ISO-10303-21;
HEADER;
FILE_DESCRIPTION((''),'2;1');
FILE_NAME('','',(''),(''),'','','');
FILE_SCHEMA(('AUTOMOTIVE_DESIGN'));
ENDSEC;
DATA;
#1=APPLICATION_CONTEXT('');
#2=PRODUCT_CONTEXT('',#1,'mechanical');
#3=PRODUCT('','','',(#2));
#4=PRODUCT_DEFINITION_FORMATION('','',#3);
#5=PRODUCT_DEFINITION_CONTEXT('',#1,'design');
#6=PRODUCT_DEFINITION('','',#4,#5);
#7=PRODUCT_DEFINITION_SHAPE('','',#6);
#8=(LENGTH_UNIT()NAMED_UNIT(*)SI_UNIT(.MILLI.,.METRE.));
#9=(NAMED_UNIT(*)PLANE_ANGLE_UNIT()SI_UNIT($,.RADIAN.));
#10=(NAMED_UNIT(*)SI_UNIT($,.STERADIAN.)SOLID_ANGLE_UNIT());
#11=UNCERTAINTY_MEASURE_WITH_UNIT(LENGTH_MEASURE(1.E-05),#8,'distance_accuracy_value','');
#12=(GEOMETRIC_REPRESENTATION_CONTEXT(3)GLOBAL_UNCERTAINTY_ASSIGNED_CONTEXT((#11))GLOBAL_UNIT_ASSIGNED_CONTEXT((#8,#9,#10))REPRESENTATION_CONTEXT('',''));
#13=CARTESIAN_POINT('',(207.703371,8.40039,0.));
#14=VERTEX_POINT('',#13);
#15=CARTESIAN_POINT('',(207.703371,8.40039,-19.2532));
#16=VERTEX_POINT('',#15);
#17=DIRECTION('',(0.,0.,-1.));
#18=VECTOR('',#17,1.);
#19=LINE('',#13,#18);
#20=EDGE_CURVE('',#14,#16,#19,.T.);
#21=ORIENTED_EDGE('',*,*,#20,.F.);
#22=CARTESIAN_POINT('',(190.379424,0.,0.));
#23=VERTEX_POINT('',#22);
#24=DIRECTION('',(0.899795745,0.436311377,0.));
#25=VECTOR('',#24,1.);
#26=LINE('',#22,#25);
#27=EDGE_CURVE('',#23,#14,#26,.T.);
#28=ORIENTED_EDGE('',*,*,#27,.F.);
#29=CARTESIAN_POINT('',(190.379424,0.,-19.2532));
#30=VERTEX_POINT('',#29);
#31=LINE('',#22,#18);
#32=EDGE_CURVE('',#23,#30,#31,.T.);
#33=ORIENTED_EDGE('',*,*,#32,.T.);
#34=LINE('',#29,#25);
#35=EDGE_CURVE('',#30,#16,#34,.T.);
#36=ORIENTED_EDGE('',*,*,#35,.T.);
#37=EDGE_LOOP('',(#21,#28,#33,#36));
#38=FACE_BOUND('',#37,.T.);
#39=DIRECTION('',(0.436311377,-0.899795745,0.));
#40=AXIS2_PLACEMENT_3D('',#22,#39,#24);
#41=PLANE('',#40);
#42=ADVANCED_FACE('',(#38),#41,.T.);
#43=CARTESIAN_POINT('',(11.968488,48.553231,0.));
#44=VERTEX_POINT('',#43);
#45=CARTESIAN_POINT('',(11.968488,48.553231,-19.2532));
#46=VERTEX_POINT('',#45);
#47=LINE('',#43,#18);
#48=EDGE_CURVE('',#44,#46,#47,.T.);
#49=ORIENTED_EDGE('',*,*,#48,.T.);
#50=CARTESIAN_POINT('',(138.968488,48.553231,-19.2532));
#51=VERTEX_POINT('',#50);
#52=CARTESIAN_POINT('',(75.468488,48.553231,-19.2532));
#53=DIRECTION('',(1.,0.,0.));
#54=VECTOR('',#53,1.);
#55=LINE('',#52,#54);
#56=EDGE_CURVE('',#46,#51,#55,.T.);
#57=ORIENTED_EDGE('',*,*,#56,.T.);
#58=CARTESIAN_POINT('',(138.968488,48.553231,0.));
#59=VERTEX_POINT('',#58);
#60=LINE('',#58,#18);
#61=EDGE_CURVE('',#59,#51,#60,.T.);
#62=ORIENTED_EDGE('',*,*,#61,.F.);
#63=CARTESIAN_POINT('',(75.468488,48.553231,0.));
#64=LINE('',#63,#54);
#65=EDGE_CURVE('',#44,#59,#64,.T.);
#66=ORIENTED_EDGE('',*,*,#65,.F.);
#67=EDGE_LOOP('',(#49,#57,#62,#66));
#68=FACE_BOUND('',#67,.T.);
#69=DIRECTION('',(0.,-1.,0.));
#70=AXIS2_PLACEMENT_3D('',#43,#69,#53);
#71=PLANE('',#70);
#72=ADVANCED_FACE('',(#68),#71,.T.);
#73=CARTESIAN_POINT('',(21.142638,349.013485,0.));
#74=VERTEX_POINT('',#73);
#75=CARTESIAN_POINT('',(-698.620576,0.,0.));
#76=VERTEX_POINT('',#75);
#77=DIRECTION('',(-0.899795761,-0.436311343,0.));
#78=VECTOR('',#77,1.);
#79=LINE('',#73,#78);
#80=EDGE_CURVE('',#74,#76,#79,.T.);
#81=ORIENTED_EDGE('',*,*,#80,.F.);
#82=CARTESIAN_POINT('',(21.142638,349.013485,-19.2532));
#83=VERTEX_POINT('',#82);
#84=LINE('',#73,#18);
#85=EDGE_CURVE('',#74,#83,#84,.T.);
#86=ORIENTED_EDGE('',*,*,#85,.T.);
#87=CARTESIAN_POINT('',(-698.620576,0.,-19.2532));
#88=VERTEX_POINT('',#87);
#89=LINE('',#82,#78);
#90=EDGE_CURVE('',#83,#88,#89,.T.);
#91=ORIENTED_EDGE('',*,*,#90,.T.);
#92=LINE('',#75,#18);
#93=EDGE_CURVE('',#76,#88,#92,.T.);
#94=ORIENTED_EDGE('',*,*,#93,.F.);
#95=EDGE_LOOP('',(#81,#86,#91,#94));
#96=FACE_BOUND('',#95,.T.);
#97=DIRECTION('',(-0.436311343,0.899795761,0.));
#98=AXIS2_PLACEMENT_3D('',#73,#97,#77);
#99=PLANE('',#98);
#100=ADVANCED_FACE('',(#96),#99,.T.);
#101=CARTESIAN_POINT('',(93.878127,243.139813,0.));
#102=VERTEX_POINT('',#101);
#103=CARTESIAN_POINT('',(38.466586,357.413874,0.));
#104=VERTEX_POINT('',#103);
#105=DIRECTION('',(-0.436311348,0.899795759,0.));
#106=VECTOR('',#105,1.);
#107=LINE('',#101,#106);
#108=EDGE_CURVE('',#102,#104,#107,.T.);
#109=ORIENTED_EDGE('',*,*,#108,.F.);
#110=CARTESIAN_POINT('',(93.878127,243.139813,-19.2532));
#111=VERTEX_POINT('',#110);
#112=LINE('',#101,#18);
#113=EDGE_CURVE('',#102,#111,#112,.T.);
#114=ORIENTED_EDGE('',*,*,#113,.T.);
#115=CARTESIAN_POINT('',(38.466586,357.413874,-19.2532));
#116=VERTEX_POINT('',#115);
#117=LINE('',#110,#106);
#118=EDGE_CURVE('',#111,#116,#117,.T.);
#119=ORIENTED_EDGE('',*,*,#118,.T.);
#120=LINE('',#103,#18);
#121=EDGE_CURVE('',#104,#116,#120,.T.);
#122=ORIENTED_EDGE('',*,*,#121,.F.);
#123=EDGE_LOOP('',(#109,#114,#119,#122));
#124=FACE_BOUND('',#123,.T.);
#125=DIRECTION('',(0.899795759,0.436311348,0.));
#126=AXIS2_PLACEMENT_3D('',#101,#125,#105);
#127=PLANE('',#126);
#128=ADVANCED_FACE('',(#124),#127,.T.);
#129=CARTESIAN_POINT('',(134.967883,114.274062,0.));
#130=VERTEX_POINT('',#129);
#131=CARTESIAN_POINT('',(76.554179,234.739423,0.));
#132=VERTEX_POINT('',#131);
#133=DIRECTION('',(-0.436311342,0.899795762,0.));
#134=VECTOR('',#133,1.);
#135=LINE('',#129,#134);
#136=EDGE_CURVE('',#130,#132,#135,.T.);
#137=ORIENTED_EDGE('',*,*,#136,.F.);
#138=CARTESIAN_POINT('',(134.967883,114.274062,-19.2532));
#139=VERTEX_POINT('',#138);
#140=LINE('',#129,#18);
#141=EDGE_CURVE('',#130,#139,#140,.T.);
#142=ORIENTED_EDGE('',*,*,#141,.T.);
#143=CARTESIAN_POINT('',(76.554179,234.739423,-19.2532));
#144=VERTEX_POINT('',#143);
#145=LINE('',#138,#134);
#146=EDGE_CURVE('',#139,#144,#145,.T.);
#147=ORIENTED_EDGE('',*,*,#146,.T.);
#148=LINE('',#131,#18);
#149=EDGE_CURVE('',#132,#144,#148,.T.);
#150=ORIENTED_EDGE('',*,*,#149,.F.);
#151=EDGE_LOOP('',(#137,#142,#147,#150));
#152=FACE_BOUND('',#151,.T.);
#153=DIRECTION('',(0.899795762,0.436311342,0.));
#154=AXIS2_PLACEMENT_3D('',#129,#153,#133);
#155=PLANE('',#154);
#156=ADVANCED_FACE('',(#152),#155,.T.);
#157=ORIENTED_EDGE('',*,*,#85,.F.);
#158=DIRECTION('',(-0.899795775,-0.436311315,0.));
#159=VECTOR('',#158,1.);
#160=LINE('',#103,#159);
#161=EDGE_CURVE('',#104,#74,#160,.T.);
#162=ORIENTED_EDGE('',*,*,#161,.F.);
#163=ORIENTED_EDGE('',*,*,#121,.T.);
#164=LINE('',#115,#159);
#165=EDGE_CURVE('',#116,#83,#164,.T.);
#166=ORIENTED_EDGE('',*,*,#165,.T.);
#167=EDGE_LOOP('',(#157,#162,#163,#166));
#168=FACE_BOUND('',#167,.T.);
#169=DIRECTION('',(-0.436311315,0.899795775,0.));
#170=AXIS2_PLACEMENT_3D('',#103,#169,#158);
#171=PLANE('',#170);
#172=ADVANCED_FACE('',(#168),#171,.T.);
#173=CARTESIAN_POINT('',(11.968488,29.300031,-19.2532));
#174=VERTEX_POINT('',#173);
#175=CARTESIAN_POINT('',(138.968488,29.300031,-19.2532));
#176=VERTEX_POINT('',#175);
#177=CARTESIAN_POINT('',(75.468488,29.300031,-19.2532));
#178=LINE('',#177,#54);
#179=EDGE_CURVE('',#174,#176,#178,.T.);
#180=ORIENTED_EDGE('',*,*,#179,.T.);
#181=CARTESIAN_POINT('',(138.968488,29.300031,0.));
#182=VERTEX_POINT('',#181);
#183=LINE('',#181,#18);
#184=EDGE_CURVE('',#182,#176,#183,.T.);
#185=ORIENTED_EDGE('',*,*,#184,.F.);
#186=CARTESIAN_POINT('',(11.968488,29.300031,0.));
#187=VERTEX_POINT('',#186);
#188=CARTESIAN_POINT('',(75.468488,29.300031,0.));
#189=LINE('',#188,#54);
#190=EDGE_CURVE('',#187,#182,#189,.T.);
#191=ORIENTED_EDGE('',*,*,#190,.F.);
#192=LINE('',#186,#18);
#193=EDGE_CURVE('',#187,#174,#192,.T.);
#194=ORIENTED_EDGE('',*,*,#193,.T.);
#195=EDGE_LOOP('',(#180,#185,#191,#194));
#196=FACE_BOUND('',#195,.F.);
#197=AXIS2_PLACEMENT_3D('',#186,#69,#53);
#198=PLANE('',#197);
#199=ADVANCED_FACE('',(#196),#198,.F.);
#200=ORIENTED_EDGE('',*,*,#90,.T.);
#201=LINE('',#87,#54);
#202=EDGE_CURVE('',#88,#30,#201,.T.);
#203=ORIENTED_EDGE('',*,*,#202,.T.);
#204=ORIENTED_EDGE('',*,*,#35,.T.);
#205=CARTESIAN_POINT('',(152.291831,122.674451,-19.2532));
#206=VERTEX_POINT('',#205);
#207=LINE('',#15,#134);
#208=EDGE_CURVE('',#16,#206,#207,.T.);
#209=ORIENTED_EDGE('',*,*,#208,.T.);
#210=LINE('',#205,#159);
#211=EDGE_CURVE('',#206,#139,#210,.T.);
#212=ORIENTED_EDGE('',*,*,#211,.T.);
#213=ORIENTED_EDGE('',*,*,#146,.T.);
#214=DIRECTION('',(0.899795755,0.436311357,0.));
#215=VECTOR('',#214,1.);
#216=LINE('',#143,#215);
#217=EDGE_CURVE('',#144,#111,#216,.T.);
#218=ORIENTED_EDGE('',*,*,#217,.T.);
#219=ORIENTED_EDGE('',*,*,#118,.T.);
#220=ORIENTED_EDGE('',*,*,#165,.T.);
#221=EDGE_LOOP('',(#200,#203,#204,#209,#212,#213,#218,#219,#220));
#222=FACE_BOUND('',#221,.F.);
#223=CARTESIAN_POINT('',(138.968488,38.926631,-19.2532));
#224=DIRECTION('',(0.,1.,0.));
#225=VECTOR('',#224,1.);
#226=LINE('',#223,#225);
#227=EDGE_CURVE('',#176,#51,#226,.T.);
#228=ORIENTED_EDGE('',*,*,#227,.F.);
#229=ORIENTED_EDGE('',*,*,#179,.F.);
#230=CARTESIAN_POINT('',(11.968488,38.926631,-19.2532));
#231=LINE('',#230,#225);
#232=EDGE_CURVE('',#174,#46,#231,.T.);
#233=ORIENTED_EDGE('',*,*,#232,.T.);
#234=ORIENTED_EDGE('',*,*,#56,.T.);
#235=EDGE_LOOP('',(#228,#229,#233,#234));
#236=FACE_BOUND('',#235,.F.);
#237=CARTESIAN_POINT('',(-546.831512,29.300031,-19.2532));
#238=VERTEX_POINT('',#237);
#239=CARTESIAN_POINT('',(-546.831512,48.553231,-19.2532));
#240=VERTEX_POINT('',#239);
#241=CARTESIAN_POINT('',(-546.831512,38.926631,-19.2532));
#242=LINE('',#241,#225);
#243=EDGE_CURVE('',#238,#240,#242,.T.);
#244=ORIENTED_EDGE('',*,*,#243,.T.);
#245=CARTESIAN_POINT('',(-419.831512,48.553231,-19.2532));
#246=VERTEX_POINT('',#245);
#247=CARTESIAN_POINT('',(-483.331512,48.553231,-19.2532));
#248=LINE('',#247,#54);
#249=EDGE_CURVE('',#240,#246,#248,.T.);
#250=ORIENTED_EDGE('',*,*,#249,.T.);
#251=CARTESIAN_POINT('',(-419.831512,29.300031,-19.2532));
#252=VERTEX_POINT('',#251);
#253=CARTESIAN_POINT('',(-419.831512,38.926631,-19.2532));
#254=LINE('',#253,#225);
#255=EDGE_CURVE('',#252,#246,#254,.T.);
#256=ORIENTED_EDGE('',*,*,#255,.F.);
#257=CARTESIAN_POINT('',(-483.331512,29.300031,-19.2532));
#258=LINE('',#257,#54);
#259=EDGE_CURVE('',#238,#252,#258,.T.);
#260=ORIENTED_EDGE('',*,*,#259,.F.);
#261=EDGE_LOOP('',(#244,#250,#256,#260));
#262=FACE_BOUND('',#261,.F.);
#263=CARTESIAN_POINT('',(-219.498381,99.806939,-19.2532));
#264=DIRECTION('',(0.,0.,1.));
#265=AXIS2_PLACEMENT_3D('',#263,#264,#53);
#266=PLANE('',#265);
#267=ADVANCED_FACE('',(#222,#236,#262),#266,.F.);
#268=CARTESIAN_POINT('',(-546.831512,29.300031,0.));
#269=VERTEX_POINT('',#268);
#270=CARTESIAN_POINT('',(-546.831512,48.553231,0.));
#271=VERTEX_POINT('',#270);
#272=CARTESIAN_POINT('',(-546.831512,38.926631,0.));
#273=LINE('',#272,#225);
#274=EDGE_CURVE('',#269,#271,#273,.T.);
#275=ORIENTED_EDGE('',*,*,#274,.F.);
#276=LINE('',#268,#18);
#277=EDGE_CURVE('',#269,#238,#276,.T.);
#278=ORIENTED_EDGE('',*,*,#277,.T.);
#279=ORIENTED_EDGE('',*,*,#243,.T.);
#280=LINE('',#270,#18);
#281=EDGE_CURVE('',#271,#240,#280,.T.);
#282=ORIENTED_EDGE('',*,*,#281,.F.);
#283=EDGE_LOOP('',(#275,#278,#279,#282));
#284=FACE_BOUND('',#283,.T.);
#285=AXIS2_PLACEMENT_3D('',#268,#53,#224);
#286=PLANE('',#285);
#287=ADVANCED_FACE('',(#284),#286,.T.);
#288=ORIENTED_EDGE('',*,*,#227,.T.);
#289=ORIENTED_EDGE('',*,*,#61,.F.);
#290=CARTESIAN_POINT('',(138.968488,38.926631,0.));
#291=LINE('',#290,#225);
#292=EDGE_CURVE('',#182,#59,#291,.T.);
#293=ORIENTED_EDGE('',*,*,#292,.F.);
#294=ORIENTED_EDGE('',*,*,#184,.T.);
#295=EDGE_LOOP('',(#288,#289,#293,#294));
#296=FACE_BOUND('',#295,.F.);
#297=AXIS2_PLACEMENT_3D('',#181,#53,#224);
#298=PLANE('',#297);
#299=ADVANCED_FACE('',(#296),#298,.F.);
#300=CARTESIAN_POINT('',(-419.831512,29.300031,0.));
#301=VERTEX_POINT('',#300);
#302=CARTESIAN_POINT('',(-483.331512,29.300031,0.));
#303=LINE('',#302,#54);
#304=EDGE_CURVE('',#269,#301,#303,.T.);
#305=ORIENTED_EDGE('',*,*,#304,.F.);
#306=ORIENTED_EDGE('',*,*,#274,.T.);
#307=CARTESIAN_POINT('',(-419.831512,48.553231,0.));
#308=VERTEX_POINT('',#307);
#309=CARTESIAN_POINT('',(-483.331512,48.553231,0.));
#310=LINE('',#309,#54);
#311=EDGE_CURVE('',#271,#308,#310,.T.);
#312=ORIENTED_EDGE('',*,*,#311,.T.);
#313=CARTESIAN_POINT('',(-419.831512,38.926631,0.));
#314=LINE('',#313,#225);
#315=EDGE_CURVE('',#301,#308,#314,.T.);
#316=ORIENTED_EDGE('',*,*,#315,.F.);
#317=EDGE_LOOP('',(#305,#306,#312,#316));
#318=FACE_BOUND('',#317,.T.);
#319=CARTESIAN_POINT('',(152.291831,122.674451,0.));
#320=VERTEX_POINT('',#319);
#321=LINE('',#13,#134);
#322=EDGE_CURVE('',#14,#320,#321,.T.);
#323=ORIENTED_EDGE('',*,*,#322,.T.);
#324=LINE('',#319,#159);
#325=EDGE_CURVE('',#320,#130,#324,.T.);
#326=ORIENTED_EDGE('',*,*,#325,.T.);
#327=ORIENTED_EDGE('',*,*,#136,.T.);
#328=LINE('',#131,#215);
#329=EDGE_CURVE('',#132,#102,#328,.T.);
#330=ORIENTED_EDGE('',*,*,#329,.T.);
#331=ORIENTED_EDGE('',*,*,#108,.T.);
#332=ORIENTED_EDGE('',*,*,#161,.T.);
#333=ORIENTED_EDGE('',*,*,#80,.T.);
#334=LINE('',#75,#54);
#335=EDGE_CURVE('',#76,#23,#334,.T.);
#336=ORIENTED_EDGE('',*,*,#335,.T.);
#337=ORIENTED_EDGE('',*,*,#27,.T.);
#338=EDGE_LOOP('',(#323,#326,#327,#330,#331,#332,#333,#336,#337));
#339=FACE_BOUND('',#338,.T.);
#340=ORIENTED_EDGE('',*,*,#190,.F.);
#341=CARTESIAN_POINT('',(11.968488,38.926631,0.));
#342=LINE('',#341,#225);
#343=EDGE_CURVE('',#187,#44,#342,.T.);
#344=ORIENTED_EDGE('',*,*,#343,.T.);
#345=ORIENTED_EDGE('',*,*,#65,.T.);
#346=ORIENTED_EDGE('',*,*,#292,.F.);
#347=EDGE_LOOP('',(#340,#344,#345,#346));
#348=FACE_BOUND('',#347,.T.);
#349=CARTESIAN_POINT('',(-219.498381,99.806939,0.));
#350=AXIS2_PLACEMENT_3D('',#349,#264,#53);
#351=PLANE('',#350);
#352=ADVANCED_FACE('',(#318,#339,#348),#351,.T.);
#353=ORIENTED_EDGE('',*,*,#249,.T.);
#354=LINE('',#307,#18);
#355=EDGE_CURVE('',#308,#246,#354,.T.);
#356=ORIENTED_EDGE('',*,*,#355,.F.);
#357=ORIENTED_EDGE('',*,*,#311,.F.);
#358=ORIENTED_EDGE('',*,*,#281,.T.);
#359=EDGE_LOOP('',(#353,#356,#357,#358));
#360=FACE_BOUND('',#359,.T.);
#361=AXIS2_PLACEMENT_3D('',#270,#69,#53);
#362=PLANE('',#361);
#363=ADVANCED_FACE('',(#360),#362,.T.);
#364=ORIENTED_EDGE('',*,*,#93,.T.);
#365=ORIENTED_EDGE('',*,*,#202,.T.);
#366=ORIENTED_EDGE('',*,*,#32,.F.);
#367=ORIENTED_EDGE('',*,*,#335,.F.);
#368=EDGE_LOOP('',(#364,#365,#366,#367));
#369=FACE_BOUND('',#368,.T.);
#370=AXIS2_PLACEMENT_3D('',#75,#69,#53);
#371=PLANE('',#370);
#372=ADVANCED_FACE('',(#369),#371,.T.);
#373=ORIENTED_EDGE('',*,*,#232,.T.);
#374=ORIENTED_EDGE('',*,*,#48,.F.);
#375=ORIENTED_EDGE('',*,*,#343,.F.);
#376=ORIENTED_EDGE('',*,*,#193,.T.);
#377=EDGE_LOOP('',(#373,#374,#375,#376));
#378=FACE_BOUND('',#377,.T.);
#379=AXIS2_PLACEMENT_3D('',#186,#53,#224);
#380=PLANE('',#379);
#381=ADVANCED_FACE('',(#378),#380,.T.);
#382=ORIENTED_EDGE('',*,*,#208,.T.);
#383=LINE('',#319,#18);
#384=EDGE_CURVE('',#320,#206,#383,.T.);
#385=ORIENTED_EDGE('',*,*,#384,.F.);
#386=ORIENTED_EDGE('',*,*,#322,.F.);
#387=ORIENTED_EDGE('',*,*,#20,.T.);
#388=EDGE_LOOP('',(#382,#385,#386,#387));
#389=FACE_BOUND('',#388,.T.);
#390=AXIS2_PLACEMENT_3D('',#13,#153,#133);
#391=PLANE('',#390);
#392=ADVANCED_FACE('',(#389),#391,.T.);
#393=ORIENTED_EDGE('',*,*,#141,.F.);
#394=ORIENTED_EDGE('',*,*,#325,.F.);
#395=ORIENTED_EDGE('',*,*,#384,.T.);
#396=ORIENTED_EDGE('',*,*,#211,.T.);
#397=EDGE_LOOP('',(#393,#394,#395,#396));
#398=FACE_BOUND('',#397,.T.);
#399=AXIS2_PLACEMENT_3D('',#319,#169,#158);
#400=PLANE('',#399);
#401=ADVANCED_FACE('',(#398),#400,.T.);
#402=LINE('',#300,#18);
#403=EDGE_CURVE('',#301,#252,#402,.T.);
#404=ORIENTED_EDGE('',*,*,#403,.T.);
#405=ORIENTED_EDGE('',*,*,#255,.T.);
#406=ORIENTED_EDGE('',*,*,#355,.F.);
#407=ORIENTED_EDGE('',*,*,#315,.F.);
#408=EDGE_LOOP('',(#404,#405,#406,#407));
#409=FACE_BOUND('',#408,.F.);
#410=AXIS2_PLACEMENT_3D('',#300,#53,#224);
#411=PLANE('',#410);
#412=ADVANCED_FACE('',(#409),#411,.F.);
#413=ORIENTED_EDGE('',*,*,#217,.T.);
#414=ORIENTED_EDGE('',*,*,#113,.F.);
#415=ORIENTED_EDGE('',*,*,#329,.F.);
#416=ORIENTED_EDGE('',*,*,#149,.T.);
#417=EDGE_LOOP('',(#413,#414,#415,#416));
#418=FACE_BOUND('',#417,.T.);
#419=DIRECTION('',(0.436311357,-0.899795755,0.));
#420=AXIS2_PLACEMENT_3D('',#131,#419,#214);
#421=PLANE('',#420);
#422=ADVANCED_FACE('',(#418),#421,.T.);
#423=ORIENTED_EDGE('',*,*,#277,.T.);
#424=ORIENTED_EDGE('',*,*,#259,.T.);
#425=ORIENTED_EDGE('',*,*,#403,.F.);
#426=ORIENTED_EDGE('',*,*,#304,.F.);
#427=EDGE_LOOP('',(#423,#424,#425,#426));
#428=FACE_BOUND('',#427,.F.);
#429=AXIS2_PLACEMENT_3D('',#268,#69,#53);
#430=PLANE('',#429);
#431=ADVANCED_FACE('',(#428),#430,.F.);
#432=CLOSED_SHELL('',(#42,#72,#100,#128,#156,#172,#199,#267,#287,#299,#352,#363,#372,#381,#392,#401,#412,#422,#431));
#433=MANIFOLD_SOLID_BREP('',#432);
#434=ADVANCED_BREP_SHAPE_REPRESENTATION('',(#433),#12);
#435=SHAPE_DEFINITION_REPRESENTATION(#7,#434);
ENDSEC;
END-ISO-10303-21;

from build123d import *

# Parameters (mm, degrees)
F0_W     = 127
F0_H     = 19.2532
F1_DEPTH = 19.2532


with BuildPart() as f1:
    # F0 (on Top) → F1 (new body)
    with BuildSketch(Plane.XY):
        Polygon((21.142638, 349.013485), (-698.620576, 0), (190.379424, 0), (134.967883, 114.274062), (76.554179, 234.739423), align=None)
        with Locations((-483.331512, 38.926631)):
            Rectangle(F0_W, F0_H, mode=Mode.SUBTRACT)
        with Locations((75.468488, 38.926631)):
            Rectangle(F0_W, F0_H, mode=Mode.SUBTRACT)
        Polygon((38.466586, 357.413874), (21.142638, 349.013485), (76.554179, 234.739423), (93.878127, 243.139813), align=None)
        Polygon((134.967883, 114.274062), (190.379424, 0), (207.703371, 8.40039), (152.291831, 122.674451), align=None)
    extrude(amount=-F1_DEPTH)


solid = f1.part
